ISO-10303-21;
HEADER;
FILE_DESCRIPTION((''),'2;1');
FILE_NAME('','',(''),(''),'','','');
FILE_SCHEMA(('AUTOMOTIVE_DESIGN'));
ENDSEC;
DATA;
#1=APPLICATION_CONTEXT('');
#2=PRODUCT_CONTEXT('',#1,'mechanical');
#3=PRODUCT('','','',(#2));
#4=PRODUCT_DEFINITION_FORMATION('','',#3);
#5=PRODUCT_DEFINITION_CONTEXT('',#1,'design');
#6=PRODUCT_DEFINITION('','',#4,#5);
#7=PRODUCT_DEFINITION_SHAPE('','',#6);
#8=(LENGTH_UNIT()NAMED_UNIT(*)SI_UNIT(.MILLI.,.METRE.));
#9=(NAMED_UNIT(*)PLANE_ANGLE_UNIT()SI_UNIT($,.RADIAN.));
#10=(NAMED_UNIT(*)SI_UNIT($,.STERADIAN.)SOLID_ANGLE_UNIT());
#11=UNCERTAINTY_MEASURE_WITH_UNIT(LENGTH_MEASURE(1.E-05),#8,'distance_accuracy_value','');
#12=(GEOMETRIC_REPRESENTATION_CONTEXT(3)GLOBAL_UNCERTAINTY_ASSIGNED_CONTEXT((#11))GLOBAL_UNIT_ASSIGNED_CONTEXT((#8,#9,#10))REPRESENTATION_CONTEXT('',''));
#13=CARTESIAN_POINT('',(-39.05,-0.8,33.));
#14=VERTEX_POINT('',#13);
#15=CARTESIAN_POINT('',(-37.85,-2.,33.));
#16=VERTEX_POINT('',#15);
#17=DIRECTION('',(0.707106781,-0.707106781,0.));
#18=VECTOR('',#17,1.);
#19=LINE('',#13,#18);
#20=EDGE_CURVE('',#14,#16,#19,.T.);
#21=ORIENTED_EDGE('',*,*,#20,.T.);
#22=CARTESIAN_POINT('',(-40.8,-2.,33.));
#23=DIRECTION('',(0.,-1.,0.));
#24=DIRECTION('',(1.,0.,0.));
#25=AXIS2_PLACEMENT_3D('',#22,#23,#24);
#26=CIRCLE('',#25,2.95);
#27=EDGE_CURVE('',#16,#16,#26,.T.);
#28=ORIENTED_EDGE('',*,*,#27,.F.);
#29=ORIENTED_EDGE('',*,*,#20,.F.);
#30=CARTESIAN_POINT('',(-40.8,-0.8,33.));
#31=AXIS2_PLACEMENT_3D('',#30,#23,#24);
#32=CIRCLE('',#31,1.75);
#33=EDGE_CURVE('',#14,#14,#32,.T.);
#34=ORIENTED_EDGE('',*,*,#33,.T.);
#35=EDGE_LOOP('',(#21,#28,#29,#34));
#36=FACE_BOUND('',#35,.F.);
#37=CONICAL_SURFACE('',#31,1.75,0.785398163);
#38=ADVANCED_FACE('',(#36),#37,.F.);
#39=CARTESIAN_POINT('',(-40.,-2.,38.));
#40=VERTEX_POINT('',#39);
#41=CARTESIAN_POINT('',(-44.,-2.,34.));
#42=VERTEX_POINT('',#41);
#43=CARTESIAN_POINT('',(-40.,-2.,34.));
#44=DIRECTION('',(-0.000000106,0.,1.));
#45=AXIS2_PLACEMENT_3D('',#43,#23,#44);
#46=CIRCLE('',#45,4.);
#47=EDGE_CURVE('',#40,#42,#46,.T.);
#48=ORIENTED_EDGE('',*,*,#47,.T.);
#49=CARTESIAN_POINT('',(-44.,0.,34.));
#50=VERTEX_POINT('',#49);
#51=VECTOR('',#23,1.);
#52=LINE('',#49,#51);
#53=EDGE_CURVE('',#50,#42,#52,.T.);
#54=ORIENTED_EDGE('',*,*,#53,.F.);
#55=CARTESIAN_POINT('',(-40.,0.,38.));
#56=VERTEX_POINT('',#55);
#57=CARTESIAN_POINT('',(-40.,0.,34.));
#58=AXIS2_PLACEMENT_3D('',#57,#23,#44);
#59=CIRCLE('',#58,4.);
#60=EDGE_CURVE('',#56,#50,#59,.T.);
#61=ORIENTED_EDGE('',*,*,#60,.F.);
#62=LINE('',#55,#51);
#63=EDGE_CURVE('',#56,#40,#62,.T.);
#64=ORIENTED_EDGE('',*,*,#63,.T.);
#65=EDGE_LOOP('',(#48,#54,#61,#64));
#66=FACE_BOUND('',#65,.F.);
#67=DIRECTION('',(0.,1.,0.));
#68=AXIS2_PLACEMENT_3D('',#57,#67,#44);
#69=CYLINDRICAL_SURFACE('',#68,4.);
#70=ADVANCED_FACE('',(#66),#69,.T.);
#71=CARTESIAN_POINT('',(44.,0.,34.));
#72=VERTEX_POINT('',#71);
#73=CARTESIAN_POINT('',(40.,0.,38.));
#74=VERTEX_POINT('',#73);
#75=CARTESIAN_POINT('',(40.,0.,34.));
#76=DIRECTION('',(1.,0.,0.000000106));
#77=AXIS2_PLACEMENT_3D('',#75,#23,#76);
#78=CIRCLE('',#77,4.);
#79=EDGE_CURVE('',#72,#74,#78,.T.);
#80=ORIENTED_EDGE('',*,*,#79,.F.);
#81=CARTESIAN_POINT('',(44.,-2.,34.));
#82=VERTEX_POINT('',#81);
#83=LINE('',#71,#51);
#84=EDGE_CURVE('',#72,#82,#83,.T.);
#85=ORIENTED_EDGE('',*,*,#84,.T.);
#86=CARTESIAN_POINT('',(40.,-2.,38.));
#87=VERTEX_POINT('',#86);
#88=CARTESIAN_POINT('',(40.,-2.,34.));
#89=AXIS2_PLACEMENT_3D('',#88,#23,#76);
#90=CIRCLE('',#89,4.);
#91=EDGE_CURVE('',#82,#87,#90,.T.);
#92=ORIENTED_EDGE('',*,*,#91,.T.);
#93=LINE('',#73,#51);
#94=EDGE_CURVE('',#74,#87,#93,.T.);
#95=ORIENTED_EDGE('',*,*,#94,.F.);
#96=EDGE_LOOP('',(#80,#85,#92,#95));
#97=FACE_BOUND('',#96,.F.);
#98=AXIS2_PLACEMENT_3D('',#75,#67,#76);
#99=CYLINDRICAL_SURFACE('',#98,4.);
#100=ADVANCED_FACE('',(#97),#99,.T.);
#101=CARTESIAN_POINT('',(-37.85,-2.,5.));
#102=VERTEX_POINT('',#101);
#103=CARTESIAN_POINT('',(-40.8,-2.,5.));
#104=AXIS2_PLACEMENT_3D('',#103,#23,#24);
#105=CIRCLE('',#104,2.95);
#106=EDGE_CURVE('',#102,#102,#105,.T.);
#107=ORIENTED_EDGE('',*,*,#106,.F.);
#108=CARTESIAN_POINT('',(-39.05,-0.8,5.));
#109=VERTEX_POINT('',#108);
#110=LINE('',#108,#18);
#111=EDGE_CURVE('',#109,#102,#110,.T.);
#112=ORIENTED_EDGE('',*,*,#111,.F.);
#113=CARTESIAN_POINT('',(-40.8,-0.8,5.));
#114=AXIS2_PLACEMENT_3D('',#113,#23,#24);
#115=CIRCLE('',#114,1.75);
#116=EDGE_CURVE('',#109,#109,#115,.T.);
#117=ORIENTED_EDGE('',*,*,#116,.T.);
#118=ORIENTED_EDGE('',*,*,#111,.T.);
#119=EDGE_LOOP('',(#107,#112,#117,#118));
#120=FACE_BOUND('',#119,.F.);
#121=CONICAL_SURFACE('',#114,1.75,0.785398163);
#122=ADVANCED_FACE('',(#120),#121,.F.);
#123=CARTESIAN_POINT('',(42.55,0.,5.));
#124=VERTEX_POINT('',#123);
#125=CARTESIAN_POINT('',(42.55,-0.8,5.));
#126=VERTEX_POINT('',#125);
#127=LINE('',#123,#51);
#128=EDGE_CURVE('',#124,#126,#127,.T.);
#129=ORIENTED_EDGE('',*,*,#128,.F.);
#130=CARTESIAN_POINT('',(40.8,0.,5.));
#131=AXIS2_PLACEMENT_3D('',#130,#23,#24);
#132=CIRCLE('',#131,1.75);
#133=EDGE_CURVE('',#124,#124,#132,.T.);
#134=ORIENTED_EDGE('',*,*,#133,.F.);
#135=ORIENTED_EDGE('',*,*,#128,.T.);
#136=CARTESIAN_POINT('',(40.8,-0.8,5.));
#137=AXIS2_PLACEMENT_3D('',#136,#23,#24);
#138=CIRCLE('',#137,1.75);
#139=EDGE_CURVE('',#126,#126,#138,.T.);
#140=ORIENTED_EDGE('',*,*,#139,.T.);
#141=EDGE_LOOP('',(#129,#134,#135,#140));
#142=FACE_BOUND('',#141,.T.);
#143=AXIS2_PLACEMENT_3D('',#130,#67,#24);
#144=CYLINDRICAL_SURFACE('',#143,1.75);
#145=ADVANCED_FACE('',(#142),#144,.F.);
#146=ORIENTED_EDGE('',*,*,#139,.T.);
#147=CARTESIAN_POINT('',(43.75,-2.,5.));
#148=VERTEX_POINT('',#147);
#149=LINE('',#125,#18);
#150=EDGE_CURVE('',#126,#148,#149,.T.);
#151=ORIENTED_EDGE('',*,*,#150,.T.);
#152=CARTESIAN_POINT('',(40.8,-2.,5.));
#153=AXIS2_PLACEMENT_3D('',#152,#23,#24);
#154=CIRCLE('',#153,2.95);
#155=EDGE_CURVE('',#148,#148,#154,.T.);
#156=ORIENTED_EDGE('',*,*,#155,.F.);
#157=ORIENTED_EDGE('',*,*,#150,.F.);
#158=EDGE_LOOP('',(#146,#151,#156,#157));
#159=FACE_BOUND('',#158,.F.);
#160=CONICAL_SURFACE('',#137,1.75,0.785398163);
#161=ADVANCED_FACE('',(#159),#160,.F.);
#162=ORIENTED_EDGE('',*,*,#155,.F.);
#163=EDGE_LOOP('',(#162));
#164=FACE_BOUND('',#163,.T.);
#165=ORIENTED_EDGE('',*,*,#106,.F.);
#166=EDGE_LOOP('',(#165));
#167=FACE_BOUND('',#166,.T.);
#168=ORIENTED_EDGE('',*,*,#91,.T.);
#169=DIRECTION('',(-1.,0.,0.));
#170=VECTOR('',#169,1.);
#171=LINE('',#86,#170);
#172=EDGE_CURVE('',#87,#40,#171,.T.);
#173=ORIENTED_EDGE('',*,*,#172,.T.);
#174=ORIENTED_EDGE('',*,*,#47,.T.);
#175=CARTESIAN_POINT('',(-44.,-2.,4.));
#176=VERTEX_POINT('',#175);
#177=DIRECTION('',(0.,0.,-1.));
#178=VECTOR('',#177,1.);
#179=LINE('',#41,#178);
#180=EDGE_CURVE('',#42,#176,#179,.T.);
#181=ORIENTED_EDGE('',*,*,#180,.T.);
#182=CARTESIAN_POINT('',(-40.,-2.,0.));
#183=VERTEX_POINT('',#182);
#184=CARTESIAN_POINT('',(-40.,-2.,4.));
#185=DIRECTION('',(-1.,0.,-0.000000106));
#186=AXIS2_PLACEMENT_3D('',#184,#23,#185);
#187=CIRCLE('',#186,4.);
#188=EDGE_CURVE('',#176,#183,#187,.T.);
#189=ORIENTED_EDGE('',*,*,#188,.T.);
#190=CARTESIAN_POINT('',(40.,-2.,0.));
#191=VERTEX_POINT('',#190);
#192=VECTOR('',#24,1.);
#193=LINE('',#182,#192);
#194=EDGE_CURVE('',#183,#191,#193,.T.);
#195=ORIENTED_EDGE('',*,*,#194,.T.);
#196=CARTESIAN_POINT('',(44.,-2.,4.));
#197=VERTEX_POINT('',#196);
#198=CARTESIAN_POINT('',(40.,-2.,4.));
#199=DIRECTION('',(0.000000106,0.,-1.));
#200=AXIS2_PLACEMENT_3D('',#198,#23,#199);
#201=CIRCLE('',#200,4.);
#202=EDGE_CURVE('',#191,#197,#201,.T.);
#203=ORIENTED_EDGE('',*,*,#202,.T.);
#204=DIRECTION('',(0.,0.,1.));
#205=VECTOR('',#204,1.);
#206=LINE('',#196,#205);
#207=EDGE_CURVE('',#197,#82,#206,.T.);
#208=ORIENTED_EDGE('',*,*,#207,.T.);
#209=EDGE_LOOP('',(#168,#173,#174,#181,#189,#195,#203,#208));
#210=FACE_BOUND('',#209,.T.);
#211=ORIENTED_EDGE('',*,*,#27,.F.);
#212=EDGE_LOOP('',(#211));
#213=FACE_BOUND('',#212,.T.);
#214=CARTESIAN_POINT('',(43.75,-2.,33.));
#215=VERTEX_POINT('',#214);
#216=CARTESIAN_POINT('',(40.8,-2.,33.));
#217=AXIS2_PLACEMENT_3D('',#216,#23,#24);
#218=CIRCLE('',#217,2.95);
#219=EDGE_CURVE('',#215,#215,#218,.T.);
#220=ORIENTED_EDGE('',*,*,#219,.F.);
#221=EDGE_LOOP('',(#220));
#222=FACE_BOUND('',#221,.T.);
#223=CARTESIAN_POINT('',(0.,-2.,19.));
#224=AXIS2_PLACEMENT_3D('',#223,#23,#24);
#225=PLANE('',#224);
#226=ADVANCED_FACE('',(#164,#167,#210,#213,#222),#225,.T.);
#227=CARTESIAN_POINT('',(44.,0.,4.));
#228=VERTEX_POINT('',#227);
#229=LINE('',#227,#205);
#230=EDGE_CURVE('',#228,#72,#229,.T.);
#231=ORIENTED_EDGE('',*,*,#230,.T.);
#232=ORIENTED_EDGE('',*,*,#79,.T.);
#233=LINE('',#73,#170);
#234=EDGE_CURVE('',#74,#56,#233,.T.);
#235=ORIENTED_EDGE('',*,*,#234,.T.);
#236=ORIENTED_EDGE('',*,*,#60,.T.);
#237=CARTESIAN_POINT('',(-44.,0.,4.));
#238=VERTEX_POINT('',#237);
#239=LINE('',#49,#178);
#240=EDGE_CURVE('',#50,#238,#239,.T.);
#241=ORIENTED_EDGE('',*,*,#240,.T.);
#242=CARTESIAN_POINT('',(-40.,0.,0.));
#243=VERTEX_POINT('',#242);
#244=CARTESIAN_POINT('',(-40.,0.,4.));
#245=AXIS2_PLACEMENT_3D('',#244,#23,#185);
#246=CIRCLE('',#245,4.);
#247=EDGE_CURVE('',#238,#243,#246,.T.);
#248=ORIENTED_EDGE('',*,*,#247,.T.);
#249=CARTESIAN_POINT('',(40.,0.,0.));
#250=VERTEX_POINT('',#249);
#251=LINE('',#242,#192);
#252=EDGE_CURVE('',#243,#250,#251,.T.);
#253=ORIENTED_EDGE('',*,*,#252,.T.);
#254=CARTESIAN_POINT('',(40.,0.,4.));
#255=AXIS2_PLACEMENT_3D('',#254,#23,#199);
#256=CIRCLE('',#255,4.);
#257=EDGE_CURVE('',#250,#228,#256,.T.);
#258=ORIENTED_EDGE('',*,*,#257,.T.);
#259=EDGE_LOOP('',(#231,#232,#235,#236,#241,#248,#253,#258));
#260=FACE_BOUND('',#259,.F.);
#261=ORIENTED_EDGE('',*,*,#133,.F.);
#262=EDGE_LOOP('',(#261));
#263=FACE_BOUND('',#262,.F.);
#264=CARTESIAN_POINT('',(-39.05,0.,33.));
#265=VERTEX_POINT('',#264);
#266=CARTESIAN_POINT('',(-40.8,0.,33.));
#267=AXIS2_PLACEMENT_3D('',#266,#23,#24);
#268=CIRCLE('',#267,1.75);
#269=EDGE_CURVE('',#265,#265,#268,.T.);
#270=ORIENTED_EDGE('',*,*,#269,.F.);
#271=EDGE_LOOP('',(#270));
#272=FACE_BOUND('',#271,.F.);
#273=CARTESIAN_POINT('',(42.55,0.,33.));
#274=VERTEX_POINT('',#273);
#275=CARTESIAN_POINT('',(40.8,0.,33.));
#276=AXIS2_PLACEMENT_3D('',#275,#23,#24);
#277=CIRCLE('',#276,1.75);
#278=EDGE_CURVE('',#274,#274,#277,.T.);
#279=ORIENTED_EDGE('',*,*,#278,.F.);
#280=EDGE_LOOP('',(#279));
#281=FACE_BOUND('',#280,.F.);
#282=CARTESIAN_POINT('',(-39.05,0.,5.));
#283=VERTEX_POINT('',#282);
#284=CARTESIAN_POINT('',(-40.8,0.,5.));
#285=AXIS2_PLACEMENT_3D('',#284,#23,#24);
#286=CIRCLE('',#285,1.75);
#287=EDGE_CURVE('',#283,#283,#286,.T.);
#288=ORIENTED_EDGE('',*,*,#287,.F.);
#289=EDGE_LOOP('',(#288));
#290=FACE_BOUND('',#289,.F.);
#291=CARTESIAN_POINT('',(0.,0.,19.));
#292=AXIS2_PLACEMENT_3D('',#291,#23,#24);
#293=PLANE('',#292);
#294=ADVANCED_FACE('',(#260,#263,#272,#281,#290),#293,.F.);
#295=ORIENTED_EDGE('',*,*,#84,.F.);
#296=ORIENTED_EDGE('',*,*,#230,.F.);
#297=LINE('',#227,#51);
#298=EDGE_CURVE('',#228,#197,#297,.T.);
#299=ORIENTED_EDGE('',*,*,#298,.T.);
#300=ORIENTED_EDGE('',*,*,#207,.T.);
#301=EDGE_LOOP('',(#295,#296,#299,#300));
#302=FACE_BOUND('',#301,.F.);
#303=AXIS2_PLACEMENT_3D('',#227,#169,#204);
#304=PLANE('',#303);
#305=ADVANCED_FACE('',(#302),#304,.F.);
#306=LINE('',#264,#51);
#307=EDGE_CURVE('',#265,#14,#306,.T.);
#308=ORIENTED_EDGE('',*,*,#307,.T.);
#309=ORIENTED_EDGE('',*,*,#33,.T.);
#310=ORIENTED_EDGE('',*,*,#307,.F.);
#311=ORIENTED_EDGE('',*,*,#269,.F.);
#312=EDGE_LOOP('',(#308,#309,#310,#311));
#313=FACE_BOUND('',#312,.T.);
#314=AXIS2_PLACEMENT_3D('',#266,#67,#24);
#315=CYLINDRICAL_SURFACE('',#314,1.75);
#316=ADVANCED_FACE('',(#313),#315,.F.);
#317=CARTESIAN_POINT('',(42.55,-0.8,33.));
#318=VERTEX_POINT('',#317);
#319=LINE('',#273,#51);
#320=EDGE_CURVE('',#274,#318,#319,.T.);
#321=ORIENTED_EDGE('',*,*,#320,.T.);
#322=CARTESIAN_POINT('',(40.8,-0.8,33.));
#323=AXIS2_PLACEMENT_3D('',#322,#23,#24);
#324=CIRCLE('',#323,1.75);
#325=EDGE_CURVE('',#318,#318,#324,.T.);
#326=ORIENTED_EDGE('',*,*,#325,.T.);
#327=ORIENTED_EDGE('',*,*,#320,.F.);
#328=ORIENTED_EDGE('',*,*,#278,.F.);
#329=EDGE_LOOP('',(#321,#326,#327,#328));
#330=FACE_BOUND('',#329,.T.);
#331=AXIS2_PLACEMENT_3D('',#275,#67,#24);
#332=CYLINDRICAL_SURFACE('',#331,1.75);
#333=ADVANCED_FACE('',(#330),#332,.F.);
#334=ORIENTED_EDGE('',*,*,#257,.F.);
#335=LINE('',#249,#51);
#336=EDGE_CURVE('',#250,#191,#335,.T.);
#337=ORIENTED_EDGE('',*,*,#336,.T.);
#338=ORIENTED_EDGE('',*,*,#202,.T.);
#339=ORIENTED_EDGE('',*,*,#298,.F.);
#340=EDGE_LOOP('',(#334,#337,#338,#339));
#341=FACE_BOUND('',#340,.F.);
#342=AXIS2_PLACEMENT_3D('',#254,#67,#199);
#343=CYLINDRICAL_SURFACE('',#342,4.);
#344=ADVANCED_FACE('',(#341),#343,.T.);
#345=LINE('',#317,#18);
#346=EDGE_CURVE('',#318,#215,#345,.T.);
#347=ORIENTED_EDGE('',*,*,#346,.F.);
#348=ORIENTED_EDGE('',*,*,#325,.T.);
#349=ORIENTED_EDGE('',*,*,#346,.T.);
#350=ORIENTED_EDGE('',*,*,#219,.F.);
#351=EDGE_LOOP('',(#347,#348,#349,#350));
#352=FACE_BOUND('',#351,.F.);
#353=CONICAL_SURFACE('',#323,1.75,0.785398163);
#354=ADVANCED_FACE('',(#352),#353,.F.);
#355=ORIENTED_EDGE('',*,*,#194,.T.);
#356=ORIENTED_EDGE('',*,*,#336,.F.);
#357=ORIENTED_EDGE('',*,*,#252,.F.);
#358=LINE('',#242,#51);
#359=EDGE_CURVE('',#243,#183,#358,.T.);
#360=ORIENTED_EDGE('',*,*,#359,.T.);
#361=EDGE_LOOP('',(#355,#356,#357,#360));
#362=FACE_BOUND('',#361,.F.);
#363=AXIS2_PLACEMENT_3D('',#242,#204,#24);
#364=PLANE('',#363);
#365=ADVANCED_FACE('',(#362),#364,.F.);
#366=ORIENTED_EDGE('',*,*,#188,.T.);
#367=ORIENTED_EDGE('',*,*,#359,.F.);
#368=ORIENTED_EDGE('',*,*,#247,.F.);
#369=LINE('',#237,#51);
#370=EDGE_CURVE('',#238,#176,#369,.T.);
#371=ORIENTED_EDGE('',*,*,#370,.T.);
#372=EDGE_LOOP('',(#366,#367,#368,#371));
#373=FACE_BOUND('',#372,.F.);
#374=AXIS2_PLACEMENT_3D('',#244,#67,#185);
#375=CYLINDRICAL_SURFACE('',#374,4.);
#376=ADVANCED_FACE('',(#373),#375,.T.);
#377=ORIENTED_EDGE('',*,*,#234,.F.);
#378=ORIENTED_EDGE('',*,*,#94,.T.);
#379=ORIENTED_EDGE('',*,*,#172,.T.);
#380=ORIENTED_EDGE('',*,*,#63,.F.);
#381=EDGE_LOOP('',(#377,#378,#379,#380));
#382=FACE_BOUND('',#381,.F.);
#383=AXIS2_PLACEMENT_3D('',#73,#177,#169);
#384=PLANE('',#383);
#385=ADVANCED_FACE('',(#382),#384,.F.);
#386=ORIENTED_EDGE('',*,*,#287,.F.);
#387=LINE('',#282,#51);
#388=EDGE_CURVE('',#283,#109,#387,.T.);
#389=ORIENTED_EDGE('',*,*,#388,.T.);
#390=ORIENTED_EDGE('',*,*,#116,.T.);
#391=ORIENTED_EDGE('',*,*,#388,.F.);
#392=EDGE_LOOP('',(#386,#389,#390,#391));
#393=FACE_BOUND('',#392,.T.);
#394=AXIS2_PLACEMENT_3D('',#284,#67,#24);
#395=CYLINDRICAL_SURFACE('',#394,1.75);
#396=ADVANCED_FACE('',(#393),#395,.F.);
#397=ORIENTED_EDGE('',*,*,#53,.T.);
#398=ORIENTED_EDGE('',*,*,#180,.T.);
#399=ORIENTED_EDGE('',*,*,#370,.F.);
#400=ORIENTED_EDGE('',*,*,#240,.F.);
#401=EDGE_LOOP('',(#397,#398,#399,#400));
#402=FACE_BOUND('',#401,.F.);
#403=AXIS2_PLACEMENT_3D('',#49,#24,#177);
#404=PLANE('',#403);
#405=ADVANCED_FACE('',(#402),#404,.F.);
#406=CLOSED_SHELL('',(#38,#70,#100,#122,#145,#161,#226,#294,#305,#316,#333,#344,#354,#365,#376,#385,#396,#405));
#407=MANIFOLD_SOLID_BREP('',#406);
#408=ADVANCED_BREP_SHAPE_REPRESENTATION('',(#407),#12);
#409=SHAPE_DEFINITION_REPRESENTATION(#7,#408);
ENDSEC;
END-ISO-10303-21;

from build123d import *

# Parameters (mm, degrees)
F0_R     = 1.75
F1_DEPTH = 2
F2_SIZE  = 1.2


with BuildPart() as f1:
    # F0 (on Front) → F1 (new body)
    with BuildSketch(Plane.XZ):
        with BuildLine():
            Line((40, 38), (-40, 38))
            ThreePointArc((-40, 38), (-42.828427, 36.828427), (-44, 34))
            Line((-44, 34), (-44, 4))
            ThreePointArc((-44, 4), (-42.828427, 1.171573), (-40, 0))
            Line((-40, 0), (40, 0))
            ThreePointArc((40, 0), (42.828427, 1.171573), (44, 4))
            Line((44, 4), (44, 34))
            ThreePointArc((44, 34), (42.828427, 36.828427), (40, 38))
        make_face()
        with Locations((-40.8, 5)):
            Circle(F0_R, mode=Mode.SUBTRACT)
        with Locations((40.8, 5)):
            Circle(F0_R, mode=Mode.SUBTRACT)
        with Locations((-40.8, 33)):
            Circle(F0_R, mode=Mode.SUBTRACT)
        with Locations((40.8, 33)):
            Circle(F0_R, mode=Mode.SUBTRACT)
    extrude(amount=F1_DEPTH)

    # F2
    f2_edges = [f1.edges().sort_by_distance(p)[0] for p in [
        (-42.55, -2, 33),
        (-42.55, -2, 5),
        (39.05, -2, 5),
        (39.05, -2, 33),
    ]]
    chamfer(f2_edges, length=F2_SIZE)


solid = f1.part
